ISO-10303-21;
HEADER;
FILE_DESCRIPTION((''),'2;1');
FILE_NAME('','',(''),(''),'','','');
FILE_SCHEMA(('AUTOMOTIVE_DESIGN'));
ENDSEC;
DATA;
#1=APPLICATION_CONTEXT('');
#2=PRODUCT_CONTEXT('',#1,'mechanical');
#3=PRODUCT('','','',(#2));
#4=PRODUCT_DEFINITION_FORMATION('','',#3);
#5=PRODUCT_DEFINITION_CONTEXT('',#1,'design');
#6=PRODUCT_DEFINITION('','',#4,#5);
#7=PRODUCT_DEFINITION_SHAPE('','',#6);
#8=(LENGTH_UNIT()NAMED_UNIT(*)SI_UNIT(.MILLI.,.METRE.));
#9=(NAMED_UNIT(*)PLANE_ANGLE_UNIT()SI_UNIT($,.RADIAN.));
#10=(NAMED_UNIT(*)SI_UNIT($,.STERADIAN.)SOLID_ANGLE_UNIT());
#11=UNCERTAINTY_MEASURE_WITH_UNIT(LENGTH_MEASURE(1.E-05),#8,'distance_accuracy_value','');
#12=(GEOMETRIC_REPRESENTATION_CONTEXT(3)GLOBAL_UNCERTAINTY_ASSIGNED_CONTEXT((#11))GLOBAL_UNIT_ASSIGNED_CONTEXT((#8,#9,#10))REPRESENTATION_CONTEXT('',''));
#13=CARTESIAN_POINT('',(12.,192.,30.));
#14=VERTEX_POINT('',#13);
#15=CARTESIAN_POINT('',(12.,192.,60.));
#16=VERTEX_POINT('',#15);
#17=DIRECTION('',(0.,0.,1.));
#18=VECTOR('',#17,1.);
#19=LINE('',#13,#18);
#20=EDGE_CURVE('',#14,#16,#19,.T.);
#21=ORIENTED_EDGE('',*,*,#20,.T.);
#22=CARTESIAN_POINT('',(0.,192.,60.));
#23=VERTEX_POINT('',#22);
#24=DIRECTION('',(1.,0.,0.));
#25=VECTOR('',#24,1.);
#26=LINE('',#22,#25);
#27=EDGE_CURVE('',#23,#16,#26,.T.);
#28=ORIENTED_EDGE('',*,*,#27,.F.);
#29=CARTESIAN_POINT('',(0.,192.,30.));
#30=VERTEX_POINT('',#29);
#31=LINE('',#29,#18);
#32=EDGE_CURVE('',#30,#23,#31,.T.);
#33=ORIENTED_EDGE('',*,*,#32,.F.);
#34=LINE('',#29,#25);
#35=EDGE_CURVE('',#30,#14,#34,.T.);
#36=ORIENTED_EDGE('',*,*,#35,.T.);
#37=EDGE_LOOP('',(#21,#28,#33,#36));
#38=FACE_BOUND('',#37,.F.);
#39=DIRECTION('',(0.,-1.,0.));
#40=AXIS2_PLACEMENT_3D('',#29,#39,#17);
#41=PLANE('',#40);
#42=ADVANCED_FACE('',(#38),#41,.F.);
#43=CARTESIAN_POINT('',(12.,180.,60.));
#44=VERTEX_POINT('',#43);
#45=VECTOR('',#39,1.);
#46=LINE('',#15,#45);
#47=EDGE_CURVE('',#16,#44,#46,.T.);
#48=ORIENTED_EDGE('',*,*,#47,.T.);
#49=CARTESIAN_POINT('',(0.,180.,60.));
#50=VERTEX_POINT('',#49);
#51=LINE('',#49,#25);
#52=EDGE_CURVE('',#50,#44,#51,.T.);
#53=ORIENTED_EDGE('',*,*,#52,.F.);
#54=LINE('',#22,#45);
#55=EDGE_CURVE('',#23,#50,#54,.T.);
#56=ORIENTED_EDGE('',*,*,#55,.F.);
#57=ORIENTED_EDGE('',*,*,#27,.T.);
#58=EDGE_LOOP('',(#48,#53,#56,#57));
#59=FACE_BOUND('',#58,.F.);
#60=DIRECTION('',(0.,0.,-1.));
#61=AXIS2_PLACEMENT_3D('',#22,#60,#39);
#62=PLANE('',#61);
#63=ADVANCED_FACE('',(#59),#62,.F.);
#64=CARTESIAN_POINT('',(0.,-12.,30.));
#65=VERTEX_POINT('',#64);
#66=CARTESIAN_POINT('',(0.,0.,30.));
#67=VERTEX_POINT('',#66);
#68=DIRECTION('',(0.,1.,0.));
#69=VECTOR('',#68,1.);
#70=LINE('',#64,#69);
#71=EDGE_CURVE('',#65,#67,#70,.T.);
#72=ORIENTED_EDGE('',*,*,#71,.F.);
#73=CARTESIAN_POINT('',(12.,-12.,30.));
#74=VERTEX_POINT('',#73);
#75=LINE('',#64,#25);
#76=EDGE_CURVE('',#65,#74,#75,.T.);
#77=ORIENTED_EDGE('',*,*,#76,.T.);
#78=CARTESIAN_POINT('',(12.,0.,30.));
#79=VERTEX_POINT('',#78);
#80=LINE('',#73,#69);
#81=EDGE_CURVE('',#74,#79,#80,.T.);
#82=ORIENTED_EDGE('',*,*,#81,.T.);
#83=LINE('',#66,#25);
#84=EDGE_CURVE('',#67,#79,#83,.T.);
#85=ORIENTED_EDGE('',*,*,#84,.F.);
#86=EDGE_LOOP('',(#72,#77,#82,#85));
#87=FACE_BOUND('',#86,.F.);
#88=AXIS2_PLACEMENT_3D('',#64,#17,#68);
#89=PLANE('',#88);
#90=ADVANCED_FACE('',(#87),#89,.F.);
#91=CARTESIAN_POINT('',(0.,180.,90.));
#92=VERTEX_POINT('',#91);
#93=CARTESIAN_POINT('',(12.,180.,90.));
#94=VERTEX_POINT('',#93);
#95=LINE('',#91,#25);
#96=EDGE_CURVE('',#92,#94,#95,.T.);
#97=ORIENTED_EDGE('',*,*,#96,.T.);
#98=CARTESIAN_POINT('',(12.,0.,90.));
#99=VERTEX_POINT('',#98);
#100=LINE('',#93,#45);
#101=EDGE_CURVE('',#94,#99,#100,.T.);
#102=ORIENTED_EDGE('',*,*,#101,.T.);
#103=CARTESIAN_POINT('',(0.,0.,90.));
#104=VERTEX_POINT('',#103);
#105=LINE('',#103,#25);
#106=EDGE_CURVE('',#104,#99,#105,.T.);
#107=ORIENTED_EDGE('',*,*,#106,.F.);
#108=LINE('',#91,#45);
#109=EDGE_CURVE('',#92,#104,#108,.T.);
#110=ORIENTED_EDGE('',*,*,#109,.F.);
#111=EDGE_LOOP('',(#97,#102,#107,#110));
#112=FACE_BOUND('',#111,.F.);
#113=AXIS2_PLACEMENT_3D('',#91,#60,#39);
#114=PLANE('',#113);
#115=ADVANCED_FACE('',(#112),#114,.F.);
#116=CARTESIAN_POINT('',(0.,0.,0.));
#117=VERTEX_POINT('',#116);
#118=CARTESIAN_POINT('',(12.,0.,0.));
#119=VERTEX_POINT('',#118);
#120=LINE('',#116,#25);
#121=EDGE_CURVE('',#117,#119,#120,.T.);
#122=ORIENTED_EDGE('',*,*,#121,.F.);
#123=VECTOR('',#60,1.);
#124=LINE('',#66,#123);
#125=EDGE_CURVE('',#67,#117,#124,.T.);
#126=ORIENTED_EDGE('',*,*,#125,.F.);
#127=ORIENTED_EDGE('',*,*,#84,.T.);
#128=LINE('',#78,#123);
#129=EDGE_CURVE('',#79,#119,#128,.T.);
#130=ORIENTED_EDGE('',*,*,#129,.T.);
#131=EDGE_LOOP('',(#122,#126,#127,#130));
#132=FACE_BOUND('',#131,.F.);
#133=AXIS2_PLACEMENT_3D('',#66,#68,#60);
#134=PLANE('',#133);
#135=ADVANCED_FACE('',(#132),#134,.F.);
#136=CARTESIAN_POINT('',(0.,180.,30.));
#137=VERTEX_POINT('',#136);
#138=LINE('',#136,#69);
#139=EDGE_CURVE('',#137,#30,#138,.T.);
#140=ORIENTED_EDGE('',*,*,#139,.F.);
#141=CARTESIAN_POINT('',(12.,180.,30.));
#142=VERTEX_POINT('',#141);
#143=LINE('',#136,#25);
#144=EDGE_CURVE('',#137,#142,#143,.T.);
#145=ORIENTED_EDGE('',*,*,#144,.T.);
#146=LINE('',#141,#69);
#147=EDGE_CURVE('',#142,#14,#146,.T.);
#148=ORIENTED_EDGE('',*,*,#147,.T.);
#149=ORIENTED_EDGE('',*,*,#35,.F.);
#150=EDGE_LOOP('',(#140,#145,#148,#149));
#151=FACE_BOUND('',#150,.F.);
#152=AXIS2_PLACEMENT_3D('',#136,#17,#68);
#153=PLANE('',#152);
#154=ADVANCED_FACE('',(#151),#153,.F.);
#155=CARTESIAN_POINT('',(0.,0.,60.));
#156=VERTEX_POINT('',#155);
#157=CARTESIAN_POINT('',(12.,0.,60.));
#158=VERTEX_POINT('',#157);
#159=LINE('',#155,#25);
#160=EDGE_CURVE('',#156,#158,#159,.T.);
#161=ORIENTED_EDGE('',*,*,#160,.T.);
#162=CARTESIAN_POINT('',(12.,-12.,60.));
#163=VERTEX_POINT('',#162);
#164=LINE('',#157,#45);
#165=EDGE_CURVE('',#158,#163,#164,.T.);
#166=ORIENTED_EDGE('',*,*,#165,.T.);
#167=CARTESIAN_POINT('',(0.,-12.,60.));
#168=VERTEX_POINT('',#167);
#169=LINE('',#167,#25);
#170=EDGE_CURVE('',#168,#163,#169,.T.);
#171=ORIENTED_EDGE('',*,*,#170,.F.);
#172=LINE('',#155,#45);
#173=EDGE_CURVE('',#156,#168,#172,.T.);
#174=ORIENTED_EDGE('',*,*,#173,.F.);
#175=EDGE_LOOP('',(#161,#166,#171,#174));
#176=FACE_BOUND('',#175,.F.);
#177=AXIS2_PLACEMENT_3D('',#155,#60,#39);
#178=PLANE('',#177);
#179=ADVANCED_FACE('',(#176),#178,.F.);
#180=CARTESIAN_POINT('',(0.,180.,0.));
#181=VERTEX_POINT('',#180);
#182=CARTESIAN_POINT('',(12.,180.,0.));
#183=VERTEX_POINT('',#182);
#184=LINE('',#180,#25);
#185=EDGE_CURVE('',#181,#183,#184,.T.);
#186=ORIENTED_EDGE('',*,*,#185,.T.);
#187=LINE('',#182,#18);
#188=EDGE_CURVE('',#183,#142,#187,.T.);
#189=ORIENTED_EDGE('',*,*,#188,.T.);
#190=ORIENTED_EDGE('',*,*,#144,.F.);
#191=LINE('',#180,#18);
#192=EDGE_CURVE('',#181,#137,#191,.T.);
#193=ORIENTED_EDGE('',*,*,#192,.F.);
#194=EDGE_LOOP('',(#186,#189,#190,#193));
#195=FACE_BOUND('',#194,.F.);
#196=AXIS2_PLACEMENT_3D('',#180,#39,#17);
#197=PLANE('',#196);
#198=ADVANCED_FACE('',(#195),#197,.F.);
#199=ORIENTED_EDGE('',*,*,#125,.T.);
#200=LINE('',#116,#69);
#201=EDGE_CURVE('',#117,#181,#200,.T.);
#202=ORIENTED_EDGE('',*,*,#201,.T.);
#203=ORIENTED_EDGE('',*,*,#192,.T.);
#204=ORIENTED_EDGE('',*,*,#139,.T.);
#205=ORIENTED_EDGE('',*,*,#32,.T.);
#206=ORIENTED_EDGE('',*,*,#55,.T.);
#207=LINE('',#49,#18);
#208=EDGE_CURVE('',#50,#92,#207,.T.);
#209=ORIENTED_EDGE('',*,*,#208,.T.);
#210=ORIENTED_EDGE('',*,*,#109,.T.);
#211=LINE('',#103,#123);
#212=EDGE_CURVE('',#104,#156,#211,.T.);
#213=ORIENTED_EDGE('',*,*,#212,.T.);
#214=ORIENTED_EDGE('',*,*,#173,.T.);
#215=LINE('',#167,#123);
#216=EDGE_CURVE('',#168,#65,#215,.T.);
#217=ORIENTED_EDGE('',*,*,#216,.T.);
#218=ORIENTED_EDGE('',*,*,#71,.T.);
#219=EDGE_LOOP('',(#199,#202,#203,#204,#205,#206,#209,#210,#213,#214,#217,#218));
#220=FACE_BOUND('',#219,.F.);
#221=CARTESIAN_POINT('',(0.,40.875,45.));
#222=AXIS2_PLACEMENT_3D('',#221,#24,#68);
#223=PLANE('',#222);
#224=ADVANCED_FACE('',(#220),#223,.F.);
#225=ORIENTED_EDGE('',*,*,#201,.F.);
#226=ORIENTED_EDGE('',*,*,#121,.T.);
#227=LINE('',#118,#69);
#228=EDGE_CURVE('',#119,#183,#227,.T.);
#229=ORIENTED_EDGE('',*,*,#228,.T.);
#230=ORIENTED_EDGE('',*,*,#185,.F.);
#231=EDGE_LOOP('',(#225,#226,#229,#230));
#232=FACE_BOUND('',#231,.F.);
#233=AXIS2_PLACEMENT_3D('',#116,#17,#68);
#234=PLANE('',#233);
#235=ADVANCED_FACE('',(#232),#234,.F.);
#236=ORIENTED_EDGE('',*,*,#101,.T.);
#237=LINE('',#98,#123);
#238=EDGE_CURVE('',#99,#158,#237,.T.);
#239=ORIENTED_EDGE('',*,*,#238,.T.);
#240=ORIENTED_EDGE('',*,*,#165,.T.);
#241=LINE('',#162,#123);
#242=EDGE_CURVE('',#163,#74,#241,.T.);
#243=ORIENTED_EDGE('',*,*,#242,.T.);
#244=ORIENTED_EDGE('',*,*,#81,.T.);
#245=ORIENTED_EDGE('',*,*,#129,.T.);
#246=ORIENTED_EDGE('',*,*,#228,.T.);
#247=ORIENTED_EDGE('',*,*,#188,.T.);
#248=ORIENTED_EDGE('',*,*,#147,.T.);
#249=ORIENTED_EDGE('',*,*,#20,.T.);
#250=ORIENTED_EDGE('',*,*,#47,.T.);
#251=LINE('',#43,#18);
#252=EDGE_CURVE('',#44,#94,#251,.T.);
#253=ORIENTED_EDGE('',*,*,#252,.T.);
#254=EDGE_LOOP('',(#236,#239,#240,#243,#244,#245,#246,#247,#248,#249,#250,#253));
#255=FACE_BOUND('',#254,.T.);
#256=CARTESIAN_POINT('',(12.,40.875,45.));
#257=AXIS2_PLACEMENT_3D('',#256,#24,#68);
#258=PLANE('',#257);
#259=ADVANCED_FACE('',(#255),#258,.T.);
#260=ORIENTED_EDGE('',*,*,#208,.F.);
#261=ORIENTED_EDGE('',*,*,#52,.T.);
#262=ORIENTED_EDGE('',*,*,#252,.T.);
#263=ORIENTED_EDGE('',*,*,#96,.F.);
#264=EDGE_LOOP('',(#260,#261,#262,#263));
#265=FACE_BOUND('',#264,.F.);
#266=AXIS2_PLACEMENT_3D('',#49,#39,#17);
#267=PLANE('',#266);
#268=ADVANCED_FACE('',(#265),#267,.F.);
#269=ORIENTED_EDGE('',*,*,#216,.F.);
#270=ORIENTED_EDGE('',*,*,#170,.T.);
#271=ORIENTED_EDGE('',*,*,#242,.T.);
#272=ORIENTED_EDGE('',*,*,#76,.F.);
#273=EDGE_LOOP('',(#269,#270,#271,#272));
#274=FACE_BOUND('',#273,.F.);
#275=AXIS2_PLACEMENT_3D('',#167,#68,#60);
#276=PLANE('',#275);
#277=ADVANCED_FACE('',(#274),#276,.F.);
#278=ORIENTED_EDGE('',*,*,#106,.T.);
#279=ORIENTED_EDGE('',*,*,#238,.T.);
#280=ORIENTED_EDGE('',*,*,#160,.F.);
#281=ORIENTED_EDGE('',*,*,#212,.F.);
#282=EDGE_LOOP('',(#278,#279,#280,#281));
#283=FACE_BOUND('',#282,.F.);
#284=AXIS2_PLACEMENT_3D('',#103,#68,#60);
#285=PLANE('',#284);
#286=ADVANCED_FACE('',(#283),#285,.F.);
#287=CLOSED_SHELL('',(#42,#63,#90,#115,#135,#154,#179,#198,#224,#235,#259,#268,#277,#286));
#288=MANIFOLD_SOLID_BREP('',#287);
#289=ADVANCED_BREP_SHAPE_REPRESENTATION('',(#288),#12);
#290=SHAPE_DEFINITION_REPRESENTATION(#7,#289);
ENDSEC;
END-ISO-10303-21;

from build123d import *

# Parameters (mm, degrees)
F1_DEPTH = 12


with BuildPart() as f1:
    # F0 (on Right) → F1 (new body)
    with BuildSketch(Plane.YZ):
        Polygon((0, 30), (0, 0), (90, 0), (90, 90), (0, 90), (0, 60), (-12, 60), (-12, 30), align=None)
        Polygon((90, 90), (90, 0), (180, 0), (180, 30), (192, 30), (192, 60), (180, 60), (180, 90), align=None)
    extrude(amount=F1_DEPTH)


solid = f1.part
